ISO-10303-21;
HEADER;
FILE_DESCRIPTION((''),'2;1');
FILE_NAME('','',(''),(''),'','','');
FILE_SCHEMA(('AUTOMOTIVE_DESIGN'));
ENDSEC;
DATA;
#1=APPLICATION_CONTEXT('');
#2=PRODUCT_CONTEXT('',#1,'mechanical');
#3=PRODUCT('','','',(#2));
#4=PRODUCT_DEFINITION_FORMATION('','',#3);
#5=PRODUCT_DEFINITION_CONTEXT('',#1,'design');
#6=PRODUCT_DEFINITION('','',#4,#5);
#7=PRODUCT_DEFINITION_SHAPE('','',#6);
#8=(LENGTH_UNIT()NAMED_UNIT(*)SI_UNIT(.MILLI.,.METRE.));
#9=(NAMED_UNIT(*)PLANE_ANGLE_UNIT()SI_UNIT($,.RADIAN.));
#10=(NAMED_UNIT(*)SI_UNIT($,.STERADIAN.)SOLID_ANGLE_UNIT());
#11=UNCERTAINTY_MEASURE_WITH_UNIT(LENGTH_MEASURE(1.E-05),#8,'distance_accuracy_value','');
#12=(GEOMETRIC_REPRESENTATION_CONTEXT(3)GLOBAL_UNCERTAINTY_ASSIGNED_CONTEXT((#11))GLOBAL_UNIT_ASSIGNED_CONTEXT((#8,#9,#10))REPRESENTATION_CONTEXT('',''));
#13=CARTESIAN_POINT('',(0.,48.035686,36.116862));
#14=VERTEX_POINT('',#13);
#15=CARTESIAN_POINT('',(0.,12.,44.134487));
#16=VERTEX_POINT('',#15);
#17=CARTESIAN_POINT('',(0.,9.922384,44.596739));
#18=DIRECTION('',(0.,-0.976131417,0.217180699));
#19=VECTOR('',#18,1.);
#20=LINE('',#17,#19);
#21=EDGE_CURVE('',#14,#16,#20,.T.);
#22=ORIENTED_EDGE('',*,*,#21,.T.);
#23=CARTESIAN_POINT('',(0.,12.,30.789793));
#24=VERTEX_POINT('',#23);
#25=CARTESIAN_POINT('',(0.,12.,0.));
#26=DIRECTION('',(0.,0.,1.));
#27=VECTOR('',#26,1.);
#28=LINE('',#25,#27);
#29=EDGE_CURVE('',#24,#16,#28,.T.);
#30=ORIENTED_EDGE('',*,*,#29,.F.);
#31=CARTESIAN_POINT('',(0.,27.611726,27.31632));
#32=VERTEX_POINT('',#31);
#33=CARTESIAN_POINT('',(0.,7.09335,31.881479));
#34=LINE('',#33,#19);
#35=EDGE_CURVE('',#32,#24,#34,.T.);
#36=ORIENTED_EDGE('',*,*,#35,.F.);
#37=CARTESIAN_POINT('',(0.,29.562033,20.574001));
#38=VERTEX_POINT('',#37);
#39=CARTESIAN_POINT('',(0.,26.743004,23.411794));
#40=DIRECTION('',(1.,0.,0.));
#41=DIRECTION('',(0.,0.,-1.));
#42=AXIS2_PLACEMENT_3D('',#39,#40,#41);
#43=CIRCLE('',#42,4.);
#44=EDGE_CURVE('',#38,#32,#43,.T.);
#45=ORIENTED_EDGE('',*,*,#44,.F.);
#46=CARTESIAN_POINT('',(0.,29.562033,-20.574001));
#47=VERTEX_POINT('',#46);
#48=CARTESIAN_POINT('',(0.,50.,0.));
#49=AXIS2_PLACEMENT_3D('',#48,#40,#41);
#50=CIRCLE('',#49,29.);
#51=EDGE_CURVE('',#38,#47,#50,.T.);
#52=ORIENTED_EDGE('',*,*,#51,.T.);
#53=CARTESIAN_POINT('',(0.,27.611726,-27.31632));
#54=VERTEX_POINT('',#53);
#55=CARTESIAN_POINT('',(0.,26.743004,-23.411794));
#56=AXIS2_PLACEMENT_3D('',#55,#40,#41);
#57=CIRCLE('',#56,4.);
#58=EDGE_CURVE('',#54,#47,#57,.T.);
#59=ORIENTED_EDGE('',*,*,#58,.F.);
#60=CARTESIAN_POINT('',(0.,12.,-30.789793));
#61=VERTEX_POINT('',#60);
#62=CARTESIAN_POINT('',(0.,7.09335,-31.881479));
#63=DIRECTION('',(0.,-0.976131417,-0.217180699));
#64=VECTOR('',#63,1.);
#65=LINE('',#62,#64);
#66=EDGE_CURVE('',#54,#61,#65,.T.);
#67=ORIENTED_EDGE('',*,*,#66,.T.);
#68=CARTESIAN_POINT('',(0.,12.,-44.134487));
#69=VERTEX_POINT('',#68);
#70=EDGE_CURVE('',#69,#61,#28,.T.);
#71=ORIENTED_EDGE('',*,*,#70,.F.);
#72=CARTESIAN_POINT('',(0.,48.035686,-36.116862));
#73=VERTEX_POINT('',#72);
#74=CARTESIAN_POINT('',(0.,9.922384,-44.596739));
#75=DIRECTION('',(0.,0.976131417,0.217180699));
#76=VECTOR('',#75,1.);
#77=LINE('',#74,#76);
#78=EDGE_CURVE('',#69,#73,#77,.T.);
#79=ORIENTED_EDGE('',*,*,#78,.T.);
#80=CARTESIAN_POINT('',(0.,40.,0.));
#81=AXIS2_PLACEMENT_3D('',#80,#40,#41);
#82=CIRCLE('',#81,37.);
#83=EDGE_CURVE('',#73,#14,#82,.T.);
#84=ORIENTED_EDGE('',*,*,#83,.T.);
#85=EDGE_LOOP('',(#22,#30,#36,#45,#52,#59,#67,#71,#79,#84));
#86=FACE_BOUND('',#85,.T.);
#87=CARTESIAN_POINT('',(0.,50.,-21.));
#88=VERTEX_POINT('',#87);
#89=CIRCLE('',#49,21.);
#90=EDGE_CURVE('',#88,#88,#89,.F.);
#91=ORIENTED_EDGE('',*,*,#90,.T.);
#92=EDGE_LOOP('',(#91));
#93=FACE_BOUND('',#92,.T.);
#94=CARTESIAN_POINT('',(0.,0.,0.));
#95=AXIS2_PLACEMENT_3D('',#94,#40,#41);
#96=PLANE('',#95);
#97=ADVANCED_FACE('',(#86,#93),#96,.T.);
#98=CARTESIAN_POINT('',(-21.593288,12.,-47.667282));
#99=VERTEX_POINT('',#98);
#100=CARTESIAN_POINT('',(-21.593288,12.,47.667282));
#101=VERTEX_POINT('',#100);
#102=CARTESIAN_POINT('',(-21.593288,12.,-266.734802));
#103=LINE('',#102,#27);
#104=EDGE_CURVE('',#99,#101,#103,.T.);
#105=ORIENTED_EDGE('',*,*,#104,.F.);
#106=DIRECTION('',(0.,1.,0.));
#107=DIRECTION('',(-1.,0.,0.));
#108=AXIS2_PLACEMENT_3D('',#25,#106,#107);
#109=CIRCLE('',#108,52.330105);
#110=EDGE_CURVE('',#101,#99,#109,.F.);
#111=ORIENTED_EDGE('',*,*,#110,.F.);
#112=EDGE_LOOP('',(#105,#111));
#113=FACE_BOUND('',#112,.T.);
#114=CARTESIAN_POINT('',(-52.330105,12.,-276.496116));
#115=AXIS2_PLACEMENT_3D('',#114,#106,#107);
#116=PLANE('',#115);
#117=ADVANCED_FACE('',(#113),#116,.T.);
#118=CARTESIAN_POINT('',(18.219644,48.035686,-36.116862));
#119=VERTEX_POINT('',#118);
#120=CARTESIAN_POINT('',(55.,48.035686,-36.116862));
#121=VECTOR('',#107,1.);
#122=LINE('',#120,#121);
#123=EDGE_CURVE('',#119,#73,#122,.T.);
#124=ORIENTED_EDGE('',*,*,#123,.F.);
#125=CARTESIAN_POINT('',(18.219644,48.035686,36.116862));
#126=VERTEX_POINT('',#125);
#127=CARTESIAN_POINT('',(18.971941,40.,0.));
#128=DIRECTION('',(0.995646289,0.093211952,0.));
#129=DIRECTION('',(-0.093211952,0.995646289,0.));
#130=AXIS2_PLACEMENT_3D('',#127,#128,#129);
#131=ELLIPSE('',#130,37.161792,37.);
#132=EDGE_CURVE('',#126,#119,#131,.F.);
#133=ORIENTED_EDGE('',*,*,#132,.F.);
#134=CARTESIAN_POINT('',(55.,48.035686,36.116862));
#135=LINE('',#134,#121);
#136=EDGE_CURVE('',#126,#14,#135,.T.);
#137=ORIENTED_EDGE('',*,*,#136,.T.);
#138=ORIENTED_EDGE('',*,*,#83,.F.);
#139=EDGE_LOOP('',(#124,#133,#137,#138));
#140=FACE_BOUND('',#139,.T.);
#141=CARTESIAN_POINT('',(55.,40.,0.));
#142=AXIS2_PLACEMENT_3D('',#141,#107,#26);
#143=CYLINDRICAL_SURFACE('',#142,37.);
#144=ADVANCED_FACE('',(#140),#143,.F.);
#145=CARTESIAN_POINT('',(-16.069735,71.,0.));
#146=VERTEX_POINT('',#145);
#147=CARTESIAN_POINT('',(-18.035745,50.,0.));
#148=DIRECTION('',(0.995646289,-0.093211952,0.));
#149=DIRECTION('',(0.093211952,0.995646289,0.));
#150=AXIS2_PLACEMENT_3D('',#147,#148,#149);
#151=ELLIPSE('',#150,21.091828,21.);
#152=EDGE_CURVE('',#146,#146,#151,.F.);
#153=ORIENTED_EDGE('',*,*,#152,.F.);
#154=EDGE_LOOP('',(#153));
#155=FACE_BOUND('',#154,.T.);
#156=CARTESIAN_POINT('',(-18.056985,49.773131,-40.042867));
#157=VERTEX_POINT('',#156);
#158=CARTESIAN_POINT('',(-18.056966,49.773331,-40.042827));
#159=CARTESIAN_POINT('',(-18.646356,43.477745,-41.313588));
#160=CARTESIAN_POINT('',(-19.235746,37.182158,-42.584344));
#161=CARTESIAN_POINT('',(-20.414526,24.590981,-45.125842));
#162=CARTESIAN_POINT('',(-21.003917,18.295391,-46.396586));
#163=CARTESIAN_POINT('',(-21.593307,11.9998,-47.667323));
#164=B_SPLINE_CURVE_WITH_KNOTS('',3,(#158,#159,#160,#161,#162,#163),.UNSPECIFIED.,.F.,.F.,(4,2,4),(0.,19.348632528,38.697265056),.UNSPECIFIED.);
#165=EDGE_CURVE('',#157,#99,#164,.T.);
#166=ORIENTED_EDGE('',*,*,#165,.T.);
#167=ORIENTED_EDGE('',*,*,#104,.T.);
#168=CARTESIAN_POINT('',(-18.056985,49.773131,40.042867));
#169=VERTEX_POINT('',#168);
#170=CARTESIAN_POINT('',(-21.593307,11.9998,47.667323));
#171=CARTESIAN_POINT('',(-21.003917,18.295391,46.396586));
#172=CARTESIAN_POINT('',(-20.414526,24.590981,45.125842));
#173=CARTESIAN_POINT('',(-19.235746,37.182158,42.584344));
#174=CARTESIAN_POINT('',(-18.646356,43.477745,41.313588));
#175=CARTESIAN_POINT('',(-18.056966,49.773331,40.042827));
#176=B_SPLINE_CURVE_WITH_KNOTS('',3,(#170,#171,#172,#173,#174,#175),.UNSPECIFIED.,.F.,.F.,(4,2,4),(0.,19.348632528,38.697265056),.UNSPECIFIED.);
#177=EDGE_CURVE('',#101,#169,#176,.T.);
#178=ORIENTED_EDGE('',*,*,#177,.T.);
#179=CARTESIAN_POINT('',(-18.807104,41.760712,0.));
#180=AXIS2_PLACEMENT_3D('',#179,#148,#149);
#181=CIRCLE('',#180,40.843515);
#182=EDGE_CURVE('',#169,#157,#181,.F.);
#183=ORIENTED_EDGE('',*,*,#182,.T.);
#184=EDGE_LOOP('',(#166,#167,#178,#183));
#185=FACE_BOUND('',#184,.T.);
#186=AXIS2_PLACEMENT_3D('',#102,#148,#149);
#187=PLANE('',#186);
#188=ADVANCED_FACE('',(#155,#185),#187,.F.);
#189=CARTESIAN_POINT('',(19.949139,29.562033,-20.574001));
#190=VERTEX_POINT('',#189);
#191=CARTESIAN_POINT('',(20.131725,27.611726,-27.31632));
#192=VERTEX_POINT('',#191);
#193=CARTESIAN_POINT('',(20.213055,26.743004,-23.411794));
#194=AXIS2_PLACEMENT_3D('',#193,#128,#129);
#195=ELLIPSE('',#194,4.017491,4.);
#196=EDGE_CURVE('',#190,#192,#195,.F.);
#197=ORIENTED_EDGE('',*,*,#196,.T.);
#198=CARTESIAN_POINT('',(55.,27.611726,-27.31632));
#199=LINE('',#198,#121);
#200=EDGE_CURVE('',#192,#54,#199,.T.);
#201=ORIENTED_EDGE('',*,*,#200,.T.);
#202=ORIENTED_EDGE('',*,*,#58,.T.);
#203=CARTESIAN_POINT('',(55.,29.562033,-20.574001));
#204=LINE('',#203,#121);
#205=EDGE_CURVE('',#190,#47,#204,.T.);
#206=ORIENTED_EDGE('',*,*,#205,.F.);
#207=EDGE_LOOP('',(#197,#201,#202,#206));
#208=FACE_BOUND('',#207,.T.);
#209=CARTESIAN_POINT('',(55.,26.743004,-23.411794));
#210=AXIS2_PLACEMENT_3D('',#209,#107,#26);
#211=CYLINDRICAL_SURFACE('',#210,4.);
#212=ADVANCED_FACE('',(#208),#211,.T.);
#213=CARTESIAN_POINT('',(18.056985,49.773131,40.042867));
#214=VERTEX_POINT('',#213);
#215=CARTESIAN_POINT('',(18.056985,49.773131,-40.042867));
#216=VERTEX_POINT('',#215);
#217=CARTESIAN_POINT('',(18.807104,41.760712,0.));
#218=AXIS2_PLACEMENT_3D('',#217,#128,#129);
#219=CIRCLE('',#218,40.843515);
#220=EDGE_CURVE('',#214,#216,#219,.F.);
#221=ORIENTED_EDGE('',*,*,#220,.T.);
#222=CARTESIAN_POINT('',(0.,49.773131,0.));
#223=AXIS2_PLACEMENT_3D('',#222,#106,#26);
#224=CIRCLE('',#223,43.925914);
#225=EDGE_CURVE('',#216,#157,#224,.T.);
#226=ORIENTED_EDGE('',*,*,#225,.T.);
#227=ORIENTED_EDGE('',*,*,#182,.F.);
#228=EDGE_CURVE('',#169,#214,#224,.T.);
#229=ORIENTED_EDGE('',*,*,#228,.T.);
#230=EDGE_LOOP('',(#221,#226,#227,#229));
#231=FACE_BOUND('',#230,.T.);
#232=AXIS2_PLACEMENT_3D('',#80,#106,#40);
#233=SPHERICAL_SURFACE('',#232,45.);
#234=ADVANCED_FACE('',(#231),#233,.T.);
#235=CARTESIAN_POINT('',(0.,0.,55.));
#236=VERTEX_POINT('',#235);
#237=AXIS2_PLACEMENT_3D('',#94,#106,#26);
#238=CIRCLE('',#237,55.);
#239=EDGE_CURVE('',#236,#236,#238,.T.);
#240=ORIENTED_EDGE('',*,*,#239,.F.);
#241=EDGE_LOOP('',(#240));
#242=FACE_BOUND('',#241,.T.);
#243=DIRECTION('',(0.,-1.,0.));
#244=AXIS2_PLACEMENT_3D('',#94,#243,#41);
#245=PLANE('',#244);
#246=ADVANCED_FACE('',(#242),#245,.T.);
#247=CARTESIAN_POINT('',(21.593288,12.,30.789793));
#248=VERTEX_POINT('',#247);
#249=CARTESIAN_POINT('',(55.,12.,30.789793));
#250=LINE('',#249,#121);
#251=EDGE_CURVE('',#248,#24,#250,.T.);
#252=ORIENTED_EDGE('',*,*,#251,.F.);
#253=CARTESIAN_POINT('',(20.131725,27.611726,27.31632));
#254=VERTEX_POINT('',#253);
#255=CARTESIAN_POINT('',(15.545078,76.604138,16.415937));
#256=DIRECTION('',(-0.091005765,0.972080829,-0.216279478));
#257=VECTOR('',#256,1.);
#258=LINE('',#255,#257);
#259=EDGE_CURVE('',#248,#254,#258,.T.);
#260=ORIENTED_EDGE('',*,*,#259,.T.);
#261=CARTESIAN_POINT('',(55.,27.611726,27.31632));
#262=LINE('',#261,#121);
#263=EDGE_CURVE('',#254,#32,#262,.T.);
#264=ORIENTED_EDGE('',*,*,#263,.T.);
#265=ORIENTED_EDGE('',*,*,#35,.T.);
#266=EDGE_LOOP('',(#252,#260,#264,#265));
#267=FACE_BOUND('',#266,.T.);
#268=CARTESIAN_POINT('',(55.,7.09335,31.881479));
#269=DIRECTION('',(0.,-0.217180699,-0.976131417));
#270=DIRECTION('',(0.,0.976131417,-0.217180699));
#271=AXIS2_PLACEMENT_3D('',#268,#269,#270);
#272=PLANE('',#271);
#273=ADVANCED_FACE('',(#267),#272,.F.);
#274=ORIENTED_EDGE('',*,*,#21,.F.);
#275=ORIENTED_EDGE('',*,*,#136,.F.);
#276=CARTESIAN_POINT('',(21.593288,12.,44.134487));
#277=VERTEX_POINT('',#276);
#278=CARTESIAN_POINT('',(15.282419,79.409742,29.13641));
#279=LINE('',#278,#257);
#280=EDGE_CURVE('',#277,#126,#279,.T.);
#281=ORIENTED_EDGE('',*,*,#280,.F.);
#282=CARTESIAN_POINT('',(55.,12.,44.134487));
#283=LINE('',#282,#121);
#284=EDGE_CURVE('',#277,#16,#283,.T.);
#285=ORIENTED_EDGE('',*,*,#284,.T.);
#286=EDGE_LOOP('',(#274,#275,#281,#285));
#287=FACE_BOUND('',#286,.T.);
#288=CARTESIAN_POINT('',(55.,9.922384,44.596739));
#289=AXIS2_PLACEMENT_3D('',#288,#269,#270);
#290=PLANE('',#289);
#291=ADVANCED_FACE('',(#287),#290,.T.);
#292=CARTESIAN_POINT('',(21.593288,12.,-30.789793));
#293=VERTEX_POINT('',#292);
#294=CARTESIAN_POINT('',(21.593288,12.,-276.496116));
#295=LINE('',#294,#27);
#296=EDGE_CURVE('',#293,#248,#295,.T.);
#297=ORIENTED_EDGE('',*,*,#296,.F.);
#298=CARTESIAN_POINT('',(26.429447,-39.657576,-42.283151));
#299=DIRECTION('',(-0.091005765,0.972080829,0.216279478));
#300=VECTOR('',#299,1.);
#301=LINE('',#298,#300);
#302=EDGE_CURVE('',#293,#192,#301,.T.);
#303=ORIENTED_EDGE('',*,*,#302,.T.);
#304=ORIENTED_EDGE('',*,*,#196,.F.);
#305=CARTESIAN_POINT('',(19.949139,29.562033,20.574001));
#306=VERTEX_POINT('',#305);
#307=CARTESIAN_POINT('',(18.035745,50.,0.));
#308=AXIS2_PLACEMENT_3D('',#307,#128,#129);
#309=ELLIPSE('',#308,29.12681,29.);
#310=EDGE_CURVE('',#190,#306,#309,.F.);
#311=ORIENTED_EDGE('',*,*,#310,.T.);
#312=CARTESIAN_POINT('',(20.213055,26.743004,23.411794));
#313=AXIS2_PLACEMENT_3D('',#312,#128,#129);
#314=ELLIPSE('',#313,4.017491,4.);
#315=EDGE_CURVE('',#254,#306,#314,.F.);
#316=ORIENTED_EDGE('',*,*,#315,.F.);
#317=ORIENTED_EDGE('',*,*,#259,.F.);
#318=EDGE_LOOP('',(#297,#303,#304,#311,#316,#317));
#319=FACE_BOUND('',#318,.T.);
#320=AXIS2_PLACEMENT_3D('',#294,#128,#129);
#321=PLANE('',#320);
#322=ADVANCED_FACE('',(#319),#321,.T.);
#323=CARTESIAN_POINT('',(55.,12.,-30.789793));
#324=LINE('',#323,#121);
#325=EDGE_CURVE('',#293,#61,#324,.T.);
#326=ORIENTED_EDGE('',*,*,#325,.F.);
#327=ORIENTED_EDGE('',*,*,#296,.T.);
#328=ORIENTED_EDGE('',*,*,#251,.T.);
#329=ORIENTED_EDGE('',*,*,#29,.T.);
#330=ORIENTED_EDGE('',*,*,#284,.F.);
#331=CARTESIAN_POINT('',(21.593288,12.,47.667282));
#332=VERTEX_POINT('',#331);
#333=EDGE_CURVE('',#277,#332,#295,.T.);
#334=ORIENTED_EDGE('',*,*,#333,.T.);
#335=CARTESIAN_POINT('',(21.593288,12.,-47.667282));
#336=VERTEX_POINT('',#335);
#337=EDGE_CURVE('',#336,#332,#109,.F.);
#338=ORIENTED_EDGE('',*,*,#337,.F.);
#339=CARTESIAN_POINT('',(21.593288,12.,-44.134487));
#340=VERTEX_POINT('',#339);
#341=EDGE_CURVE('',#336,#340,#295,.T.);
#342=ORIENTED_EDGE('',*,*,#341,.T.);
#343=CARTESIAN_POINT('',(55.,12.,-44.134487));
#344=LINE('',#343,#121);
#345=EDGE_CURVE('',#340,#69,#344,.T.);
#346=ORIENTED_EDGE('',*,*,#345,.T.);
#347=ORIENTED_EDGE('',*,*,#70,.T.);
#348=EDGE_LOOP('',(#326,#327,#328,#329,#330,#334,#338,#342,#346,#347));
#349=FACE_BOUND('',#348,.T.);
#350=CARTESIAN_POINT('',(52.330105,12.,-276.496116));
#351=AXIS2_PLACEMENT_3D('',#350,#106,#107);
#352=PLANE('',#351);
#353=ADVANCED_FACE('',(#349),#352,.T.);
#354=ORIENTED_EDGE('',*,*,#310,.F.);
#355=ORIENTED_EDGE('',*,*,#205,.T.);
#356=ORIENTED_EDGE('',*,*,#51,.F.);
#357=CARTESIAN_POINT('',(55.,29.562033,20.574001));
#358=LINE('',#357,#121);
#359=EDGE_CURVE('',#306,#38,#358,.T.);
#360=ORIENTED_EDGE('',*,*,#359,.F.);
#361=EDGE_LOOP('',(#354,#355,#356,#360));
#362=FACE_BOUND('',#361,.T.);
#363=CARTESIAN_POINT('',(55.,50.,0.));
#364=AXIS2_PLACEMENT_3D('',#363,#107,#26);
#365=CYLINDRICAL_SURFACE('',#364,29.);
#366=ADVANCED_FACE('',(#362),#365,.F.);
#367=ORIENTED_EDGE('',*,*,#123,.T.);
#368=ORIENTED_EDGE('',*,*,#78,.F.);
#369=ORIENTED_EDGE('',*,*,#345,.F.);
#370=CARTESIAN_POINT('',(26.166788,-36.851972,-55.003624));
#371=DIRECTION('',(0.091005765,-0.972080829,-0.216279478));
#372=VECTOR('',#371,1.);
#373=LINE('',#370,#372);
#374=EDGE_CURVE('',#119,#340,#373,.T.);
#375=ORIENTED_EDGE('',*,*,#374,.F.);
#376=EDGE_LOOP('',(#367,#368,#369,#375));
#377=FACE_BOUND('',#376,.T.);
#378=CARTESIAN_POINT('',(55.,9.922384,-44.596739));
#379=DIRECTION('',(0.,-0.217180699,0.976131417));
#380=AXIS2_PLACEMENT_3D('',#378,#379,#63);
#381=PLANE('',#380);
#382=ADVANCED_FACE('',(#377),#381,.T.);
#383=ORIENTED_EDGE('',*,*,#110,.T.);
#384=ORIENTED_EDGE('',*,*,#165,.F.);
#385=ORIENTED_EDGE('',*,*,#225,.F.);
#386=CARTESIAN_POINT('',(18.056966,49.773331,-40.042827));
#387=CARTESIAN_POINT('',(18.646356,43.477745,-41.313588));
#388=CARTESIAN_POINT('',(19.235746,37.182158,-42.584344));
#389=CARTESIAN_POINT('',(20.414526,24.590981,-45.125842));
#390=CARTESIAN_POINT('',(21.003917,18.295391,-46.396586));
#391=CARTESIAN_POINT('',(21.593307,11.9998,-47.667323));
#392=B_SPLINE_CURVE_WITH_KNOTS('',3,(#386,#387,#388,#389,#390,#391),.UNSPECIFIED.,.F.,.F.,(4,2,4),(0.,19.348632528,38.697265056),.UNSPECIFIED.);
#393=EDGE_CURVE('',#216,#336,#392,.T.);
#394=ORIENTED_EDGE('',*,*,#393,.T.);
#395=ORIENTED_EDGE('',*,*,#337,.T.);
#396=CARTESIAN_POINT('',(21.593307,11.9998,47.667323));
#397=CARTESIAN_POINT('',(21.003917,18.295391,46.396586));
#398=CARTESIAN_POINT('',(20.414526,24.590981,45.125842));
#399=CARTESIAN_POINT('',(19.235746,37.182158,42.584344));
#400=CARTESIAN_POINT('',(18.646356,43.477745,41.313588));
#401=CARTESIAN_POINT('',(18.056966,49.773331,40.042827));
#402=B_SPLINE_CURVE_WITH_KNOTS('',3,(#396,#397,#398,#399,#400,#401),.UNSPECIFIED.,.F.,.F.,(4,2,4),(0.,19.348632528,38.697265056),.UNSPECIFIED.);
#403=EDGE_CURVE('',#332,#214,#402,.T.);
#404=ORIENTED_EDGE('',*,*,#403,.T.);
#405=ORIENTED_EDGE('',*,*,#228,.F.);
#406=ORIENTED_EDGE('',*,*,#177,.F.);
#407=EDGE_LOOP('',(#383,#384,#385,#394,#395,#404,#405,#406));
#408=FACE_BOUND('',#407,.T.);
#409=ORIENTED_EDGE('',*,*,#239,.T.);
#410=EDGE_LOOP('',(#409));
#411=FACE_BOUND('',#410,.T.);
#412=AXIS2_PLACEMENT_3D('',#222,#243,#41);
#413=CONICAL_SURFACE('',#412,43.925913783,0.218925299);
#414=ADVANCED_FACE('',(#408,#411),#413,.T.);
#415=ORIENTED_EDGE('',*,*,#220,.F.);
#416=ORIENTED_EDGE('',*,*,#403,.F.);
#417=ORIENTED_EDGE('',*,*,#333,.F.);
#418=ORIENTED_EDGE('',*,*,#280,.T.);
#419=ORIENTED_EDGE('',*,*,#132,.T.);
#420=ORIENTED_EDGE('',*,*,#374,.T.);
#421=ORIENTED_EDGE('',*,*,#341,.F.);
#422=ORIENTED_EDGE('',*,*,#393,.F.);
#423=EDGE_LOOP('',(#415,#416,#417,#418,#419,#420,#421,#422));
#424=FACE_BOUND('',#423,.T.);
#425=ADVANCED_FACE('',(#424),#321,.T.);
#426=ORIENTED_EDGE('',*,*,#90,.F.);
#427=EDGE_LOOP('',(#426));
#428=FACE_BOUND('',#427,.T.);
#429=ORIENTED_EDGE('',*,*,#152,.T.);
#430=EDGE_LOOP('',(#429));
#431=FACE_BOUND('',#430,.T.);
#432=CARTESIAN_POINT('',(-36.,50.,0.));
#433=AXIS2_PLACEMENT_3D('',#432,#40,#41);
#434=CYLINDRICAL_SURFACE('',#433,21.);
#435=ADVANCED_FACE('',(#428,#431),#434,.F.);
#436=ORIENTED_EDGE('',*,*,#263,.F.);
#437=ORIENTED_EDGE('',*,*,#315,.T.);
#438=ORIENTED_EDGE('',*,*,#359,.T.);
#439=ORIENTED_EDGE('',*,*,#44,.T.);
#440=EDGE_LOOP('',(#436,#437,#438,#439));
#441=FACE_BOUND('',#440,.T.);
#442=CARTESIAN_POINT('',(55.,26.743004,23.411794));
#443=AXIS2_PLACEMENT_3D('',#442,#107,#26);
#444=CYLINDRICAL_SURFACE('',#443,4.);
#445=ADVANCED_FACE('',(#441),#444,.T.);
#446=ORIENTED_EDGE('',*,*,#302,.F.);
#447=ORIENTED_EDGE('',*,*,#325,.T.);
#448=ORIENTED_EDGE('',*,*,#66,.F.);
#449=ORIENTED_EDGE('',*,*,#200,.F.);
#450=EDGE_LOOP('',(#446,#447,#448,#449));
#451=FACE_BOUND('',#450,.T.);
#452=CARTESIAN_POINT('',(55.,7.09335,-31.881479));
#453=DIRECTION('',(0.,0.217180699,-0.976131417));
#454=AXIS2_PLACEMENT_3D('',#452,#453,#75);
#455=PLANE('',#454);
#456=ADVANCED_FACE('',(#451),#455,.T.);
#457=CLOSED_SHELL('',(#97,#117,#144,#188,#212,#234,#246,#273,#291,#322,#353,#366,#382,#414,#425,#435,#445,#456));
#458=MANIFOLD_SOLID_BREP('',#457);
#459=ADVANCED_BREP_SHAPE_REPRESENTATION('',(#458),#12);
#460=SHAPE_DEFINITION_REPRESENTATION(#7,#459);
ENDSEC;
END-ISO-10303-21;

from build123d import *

# Parameters (mm, degrees)
CUT_EXTRUDE1_DEPTH      = 116.21718621802913
CUT_EXTRUDE4_DEPTH      = 116.21718621802913
CUT_EXTRUDE4_DEPTH_BACK = 35.99999999999998
SKETCH7_R               = 21
CUT_EXTRUDE7_DEPTH      = 116.21718621802913


with BuildPart() as part:
    # Sketch2 → Revolve3 (revolve)
    with BuildSketch(Plane.XY):
        with BuildLine():
            Line((0, 0), (-55, 0))
            Line((-55, 0), (-43.92591378263139, 49.77313145111816))
            ThreePointArc((-43.92591378263139, 49.77313145111816), (-28.153233248595832, 75.10549042030546), (0, 85))
            Line((0, 85), (0, 0))
        make_face()
    revolve(axis=Axis((0, 85, 0), (0, -1, 0)))

    # Sketch6 → Cut-Extrude1 (cut, symmetric)
    with BuildSketch(Plane.XY):
        with BuildLine():
            Line((-321.9355859945814, 12.000000000000119), (-52.33010500376227, 12.000000000000004))
            Line((-52.33010500376227, 12.000000000000004), (-23.212875062029127, 11.999999999999991))
            Line((-23.212875062029127, 11.999999999999991), (-15, 82.42640687119287))
            ThreePointArc((-15, 82.42640687119287), (2.76e-15, 84.99999999999994), (15, 82.42640687119287))
            Line((15, 82.42640687119287), (21.593288148671103, 11.999999999999996))
            Line((21.593288148671103, 11.999999999999996), (52.330105003762284, 12.000000000000016))
            Line((52.330105003762284, 12.000000000000016), (321.9355859945814, 12.000000000000187))
            Line((321.9355859945814, 12.000000000000187), (321.93558599458134, 551.2109619816384))
            Line((321.93558599458134, 551.2109619816384), (-321.93558599458146, 551.2109619816383))
            Line((-321.93558599458146, 551.2109619816383), (-321.9355859945814, 12.000000000000119))
        make_face()
    cut_extrude1 = extrude(amount=CUT_EXTRUDE1_DEPTH, both=True, mode=Mode.SUBTRACT)

    # Sketch7 → Cut-Extrude4 (cut, two sides: drawn at the far end of the back side and taken through both)
    with BuildSketch(Plane(origin=(0, 0, 0), x_dir=(0, 0, -1), z_dir=(1, 0, 0)).offset(-CUT_EXTRUDE4_DEPTH_BACK)):
        with Locations((0, 50)):
            Circle(SKETCH7_R)
    extrude(amount=CUT_EXTRUDE4_DEPTH + CUT_EXTRUDE4_DEPTH_BACK, mode=Mode.SUBTRACT)

    # Sketch7<10> → Cut-Extrude7 (cut, through all)
    with BuildSketch(Plane(origin=(0, 0, 0), x_dir=(0, 0, -1), z_dir=(1, 0, 0))):
        with BuildLine():
            Line((30.789792632377843, 11.999999999999996), (44.134487223755, 11.999999999999996))
            Line((44.134487223754995, 11.999999999999993), (36.11686244349691, 48.03568585980827))
            ThreePointArc((36.11686244349691, 48.03568585980827), (1.155e-14, 77), (-36.116862443496906, 48.03568585980828))
            Line((-36.116862443496906, 48.035685859808275), (-44.134487223754995, 11.999999999999993))
            Line((-44.134487223755, 11.999999999999993), (-30.78979263237784, 11.999999999999993))
            Line((-30.789792632377836, 11.999999999999982), (-27.316320113753125, 27.61172640955241))
            ThreePointArc((-27.316320113753125, 27.61172640955241), (-24.523281700699563, 30.58547626553829), (-20.57400117822397, 29.562033478879588))
            ThreePointArc((-20.57400117822397, 29.562033478879588), (5.33e-15, 21), (20.57400117822397, 29.562033478879595))
            ThreePointArc((20.574001178223973, 29.562033478879595), (24.523281700699563, 30.585476265538293), (27.31632011375313, 27.611726409552414))
            Line((27.31632011375313, 27.611726409552414), (30.789792632377843, 11.99999999999999))
        make_face()
    extrude(amount=CUT_EXTRUDE7_DEPTH, mode=Mode.SUBTRACT)

    # Mirror1: Cut-Extrude1 across plane
    add(cut_extrude1.mirror(Plane(origin=(0, 0, 0), x_dir=(0, 0, 1), z_dir=(1, 0, 0))), mode=Mode.SUBTRACT)


solid = part.part
